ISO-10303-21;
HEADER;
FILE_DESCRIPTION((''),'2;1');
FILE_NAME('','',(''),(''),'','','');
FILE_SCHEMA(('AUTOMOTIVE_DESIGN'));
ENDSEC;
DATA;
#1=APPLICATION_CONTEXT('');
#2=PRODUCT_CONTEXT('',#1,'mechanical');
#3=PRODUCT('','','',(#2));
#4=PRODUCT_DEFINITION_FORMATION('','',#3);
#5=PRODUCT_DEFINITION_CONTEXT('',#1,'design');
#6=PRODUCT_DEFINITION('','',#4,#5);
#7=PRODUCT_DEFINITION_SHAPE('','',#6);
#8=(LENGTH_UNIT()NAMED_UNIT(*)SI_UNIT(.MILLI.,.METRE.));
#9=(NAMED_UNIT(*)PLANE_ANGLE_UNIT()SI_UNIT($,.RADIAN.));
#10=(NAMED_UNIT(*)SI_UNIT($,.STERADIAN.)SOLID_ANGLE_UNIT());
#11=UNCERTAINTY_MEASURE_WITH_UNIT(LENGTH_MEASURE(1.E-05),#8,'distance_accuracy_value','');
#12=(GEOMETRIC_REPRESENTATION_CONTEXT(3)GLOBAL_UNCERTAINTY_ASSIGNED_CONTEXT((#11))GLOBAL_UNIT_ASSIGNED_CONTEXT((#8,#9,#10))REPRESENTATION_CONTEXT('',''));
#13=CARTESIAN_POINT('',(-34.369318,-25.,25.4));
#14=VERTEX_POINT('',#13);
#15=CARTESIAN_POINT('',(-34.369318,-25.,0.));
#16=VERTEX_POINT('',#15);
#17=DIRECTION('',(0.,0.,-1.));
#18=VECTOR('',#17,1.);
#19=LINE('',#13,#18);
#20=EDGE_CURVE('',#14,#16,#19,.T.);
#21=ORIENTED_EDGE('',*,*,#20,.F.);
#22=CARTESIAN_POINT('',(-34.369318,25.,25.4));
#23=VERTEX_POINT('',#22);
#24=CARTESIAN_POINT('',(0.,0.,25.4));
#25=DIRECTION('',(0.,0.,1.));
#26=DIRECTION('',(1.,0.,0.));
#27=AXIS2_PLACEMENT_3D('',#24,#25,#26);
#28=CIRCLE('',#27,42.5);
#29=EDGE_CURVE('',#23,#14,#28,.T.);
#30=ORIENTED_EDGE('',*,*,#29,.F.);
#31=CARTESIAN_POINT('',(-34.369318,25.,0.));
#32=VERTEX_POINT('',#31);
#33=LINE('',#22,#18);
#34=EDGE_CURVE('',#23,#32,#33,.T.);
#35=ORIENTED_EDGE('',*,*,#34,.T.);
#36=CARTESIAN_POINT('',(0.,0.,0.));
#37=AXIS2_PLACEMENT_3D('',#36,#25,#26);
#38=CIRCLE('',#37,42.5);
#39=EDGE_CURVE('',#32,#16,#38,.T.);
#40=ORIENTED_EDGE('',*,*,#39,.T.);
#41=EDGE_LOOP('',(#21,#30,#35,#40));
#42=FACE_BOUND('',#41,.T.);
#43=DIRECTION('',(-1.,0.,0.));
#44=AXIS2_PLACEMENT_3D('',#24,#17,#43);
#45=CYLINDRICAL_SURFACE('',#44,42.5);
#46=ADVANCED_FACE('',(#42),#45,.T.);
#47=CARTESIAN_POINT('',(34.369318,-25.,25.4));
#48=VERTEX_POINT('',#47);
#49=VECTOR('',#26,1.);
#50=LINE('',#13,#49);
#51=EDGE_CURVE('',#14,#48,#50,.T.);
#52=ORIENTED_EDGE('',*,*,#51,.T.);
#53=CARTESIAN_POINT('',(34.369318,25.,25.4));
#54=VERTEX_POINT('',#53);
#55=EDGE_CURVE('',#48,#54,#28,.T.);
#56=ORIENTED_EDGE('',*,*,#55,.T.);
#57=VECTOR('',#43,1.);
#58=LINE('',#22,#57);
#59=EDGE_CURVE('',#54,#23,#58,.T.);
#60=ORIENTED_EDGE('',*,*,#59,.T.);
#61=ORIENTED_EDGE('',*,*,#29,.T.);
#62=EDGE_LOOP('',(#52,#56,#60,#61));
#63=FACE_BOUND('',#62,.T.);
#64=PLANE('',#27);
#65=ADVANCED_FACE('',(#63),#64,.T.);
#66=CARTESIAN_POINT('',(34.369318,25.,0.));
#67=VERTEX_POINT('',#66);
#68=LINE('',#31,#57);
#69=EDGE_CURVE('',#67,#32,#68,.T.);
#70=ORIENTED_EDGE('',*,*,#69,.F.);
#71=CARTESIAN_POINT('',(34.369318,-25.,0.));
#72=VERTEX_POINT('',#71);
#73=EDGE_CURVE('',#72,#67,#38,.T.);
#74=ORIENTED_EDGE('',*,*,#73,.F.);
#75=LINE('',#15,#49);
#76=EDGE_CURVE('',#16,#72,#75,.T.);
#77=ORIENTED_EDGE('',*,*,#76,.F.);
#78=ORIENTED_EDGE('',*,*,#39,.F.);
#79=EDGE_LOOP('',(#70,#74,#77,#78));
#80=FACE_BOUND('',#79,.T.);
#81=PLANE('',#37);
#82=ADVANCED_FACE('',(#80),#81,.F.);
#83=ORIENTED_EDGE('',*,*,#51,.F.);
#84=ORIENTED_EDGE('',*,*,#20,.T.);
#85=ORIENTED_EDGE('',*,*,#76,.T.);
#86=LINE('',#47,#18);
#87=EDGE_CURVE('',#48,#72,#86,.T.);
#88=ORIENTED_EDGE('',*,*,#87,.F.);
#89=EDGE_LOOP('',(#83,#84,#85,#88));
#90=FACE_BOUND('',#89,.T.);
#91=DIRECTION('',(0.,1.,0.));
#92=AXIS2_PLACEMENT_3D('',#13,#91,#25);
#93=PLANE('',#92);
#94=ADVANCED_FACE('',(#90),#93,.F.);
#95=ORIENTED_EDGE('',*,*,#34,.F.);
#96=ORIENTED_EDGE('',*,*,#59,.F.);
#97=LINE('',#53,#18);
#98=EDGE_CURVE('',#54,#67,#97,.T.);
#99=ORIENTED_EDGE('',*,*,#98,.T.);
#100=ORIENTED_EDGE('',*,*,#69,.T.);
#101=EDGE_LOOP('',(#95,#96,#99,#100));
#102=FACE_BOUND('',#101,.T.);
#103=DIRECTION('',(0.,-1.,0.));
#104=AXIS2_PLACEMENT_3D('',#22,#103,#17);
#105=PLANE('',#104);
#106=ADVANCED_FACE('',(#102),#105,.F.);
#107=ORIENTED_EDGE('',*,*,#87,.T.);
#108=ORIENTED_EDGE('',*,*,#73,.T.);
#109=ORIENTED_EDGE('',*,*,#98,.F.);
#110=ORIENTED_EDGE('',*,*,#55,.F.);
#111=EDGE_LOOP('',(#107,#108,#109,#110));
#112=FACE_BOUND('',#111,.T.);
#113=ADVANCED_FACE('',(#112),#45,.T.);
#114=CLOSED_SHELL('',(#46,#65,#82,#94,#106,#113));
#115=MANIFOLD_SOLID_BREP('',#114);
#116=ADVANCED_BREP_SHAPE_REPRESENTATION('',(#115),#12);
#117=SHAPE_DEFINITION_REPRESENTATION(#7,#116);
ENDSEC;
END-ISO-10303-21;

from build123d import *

# Parameters (mm, degrees)
BOSS_EXTRUDE2_DEPTH = 25.4


with BuildPart() as part:
    # Sketch5 → Boss-Extrude2 (new body)
    with BuildSketch(Plane.XY):
        with BuildLine():
            Line((-34.369317712, 25), (34.369317712, 25))
            ThreePointArc((34.369317712, 25), (42.5, 0), (34.369317712, -25))
            Line((34.369317712, -25), (-34.369317712, -25))
            ThreePointArc((-34.369317712, -25), (-42.5, 0), (-34.369317712, 25))
        make_face()
    extrude(amount=BOSS_EXTRUDE2_DEPTH)


solid = part.part
